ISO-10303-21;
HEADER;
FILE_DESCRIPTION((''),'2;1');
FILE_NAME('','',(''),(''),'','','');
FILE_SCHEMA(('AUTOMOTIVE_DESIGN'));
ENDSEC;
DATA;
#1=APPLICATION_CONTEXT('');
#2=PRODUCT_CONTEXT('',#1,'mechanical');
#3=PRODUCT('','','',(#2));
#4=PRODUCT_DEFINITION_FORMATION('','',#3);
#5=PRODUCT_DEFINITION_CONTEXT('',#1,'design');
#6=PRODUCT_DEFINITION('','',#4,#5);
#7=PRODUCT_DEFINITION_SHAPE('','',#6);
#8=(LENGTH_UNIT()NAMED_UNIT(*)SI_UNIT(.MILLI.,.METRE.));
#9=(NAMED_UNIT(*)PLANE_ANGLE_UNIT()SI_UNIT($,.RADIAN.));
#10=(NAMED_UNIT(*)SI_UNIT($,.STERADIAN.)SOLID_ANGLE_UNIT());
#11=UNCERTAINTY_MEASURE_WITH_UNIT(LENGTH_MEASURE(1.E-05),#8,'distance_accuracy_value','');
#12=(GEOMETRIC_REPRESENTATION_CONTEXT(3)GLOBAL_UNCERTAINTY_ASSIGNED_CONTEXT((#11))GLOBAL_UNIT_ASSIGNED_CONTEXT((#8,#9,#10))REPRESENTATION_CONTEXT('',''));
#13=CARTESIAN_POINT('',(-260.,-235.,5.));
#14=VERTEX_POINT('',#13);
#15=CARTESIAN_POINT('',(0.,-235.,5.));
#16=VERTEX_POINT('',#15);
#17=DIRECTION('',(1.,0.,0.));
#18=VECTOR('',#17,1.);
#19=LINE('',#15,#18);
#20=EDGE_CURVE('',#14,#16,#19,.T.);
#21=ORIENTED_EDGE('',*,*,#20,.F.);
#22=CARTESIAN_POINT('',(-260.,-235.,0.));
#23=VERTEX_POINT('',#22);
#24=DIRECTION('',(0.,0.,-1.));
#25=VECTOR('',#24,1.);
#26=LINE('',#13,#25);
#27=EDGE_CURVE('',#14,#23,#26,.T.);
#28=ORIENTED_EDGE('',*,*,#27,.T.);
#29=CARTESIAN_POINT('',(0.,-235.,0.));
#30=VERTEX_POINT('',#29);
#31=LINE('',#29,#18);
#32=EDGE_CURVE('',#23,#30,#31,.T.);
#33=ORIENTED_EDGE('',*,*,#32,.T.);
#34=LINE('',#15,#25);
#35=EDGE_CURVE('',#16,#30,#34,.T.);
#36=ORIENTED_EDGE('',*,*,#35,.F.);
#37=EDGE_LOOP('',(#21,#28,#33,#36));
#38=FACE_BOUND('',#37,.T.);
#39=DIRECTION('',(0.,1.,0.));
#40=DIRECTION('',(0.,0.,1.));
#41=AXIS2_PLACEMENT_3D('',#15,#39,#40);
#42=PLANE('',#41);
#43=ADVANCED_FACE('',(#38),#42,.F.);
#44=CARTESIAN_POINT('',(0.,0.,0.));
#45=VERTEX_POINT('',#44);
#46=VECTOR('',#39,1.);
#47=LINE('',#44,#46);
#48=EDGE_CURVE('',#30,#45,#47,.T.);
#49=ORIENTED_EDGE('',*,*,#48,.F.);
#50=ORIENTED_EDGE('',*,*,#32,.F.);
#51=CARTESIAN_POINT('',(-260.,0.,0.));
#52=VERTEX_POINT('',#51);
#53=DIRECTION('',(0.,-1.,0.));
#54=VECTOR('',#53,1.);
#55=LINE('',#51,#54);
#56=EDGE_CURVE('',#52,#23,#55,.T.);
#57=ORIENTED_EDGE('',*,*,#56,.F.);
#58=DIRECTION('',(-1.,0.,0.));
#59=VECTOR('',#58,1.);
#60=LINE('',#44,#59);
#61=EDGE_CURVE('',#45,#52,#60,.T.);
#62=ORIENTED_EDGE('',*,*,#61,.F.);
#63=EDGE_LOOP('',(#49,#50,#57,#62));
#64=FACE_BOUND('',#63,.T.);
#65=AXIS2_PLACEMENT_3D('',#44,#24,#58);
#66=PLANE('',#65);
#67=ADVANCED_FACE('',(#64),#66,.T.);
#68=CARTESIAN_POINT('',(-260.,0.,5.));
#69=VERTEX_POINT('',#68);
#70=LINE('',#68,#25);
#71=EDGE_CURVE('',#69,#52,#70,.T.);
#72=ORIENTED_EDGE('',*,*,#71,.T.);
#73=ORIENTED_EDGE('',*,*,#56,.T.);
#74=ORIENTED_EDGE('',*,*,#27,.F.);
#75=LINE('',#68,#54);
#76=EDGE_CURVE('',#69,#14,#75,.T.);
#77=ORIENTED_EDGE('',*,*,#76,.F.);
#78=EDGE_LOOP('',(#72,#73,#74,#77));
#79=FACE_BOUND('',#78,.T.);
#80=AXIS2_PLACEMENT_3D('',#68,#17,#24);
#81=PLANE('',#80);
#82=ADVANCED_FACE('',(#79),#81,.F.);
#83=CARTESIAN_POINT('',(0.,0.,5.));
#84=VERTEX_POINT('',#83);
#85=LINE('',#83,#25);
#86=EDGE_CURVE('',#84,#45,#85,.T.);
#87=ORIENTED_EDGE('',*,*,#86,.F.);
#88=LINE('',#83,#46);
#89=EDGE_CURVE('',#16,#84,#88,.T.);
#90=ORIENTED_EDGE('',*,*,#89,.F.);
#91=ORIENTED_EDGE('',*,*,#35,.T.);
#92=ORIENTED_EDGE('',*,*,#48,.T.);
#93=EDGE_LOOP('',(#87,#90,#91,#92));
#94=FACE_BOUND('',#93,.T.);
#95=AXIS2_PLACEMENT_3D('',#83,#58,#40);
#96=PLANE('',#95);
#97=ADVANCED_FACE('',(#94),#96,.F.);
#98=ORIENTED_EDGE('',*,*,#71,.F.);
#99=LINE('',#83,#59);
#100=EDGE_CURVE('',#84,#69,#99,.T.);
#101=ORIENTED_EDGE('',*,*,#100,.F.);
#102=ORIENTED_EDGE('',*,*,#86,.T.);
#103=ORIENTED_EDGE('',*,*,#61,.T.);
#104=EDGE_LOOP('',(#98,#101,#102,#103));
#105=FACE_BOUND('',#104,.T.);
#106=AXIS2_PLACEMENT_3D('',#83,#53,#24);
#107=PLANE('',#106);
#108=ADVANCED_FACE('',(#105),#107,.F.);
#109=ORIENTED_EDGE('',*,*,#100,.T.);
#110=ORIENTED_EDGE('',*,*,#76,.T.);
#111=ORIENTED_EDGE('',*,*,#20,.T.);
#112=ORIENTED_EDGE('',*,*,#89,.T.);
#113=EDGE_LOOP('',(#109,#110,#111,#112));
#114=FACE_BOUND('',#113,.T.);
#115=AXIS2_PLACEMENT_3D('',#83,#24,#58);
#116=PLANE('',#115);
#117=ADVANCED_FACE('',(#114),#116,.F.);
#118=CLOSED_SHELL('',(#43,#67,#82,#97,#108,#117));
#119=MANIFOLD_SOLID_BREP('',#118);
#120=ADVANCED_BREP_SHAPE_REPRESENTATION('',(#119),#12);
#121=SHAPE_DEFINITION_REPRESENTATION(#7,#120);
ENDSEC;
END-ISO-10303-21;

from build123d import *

# Parameters (mm, degrees)
ESQUISSE1_W        = 260
ESQUISSE1_H        = 235
BOSS_EXTRU_1_DEPTH = 5


with BuildPart() as part:
    # Esquisse1 → Boss.-Extru.1 (new body)
    with BuildSketch(Plane.XY):
        with Locations((-130, -117.5)):
            Rectangle(ESQUISSE1_W, ESQUISSE1_H)
    extrude(amount=BOSS_EXTRU_1_DEPTH)


solid = part.part
